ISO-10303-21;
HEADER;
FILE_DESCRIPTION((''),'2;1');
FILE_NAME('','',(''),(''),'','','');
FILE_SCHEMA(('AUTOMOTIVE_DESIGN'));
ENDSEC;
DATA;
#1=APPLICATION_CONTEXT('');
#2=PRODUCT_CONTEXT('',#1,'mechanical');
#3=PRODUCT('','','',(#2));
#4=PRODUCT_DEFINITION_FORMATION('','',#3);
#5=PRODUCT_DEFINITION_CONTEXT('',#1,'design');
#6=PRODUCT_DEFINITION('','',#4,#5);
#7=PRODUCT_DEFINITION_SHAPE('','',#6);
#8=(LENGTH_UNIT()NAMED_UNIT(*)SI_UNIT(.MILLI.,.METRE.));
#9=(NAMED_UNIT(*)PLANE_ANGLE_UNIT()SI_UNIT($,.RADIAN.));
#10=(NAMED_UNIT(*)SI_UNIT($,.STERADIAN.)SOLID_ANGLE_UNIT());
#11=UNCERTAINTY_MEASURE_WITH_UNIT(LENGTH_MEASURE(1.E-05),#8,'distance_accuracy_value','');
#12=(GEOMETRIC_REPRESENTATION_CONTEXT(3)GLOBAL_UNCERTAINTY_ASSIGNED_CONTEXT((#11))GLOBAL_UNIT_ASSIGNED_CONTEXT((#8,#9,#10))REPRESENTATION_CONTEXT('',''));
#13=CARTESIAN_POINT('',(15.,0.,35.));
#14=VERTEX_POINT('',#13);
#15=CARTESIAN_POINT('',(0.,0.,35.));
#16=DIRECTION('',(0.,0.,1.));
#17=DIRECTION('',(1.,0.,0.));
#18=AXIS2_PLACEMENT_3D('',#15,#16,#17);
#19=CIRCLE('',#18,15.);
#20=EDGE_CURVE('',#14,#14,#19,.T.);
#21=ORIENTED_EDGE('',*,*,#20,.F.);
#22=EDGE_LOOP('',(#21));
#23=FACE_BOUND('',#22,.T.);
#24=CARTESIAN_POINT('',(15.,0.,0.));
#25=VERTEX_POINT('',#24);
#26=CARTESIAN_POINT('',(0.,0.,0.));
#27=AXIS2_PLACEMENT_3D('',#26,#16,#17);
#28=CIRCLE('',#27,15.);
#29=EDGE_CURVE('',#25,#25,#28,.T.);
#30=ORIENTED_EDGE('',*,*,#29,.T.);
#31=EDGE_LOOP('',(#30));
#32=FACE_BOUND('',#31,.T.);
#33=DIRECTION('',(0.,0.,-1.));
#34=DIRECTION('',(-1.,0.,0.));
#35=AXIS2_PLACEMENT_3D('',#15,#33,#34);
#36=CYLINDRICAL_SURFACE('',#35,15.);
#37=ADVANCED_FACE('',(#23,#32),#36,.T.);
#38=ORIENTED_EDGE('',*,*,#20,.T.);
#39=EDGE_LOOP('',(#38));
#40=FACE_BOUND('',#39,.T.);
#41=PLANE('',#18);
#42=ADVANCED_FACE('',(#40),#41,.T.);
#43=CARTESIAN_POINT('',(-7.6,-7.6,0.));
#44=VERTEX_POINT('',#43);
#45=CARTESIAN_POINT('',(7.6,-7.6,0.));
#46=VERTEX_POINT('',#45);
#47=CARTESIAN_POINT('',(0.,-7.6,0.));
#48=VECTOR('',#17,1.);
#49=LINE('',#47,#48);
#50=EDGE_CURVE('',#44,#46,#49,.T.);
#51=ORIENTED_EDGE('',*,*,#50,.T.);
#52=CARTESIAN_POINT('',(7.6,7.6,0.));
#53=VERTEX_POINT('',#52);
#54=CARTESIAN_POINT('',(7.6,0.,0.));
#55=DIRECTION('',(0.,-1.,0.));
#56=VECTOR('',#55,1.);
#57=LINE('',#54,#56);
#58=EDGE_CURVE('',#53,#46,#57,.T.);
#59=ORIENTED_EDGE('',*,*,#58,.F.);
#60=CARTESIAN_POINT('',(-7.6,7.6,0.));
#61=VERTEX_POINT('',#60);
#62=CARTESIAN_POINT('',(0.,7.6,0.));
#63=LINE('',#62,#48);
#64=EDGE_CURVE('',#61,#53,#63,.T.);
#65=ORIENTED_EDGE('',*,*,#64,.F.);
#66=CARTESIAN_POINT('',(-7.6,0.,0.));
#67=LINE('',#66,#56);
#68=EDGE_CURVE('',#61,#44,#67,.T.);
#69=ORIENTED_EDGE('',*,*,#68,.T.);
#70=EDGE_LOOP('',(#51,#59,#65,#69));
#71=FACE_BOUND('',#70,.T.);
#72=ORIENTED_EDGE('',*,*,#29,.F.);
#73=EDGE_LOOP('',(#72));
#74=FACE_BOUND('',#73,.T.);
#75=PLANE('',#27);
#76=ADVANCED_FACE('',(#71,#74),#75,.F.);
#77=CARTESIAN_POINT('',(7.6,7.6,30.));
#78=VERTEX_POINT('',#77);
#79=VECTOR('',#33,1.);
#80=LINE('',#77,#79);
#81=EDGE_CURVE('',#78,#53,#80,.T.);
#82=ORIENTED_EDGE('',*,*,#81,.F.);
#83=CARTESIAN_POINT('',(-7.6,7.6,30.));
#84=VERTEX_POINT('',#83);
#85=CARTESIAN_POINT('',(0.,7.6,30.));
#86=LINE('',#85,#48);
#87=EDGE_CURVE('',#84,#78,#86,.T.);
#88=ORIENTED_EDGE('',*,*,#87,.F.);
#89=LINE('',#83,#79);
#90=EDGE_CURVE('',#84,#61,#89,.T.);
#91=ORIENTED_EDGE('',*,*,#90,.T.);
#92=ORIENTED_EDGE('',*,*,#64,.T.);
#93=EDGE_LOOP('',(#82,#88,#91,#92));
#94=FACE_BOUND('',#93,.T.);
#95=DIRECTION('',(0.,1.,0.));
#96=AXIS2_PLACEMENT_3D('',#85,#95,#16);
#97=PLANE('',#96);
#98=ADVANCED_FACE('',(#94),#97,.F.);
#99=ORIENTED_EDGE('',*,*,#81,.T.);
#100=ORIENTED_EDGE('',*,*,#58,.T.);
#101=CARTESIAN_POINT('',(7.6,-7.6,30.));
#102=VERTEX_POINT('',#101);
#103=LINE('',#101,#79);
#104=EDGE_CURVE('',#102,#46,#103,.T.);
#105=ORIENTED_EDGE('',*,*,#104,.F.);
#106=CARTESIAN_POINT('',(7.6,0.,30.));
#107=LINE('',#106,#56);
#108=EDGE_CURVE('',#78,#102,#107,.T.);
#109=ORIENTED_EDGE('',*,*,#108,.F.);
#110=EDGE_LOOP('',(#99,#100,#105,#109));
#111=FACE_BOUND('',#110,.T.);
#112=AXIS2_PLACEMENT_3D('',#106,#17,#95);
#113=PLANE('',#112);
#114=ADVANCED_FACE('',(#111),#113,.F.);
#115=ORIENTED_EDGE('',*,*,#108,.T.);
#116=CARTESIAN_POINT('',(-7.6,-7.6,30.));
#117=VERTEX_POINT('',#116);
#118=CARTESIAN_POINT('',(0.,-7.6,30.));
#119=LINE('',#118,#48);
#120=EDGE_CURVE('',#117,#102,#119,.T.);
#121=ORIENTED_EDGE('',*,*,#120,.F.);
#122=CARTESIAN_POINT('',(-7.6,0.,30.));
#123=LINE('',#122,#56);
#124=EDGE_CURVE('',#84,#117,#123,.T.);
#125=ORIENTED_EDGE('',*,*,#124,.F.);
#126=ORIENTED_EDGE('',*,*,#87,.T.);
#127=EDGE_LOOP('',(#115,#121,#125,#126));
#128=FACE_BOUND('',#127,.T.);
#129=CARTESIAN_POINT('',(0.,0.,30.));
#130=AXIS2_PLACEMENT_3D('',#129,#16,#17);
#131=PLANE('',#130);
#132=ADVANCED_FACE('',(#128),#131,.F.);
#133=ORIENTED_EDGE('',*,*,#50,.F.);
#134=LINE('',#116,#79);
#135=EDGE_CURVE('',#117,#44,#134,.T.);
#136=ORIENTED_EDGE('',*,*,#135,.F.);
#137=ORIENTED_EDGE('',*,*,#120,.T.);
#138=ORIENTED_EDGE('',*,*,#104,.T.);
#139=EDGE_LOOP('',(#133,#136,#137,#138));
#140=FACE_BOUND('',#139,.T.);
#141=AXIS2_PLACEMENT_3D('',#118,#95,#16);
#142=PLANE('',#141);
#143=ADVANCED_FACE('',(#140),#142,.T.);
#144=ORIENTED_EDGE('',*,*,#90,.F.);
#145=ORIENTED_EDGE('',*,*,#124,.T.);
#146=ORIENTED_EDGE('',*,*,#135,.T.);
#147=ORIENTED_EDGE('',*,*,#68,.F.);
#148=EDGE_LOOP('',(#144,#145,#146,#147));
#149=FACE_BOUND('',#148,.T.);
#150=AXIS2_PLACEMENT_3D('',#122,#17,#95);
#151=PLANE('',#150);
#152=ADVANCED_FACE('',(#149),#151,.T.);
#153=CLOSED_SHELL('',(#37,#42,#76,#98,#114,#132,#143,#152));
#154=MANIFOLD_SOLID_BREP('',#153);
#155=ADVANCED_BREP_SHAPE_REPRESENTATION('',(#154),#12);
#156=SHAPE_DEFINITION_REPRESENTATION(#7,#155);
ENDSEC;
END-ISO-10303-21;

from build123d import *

# Parameters (mm, degrees)
SKETCH_272_R          = 15
EXTRUDE_455_DEPTH     = 35
SKETCH_4_W            = 15.2
SKETCH_4_H            = 15.2
CUT_EXTRUDE_504_DEPTH = 30


with BuildPart() as part:
    # Sketch 272 → Extrude 455 (new body)
    with BuildSketch(Plane.XY):
        Circle(SKETCH_272_R)
    extrude(amount=EXTRUDE_455_DEPTH)

    # основа<4> → Cut-Extrude 504 (cut)
    with BuildSketch(Plane.XY):
        Rectangle(SKETCH_4_W, SKETCH_4_H)
    extrude(amount=CUT_EXTRUDE_504_DEPTH, mode=Mode.SUBTRACT)


solid = part.part
